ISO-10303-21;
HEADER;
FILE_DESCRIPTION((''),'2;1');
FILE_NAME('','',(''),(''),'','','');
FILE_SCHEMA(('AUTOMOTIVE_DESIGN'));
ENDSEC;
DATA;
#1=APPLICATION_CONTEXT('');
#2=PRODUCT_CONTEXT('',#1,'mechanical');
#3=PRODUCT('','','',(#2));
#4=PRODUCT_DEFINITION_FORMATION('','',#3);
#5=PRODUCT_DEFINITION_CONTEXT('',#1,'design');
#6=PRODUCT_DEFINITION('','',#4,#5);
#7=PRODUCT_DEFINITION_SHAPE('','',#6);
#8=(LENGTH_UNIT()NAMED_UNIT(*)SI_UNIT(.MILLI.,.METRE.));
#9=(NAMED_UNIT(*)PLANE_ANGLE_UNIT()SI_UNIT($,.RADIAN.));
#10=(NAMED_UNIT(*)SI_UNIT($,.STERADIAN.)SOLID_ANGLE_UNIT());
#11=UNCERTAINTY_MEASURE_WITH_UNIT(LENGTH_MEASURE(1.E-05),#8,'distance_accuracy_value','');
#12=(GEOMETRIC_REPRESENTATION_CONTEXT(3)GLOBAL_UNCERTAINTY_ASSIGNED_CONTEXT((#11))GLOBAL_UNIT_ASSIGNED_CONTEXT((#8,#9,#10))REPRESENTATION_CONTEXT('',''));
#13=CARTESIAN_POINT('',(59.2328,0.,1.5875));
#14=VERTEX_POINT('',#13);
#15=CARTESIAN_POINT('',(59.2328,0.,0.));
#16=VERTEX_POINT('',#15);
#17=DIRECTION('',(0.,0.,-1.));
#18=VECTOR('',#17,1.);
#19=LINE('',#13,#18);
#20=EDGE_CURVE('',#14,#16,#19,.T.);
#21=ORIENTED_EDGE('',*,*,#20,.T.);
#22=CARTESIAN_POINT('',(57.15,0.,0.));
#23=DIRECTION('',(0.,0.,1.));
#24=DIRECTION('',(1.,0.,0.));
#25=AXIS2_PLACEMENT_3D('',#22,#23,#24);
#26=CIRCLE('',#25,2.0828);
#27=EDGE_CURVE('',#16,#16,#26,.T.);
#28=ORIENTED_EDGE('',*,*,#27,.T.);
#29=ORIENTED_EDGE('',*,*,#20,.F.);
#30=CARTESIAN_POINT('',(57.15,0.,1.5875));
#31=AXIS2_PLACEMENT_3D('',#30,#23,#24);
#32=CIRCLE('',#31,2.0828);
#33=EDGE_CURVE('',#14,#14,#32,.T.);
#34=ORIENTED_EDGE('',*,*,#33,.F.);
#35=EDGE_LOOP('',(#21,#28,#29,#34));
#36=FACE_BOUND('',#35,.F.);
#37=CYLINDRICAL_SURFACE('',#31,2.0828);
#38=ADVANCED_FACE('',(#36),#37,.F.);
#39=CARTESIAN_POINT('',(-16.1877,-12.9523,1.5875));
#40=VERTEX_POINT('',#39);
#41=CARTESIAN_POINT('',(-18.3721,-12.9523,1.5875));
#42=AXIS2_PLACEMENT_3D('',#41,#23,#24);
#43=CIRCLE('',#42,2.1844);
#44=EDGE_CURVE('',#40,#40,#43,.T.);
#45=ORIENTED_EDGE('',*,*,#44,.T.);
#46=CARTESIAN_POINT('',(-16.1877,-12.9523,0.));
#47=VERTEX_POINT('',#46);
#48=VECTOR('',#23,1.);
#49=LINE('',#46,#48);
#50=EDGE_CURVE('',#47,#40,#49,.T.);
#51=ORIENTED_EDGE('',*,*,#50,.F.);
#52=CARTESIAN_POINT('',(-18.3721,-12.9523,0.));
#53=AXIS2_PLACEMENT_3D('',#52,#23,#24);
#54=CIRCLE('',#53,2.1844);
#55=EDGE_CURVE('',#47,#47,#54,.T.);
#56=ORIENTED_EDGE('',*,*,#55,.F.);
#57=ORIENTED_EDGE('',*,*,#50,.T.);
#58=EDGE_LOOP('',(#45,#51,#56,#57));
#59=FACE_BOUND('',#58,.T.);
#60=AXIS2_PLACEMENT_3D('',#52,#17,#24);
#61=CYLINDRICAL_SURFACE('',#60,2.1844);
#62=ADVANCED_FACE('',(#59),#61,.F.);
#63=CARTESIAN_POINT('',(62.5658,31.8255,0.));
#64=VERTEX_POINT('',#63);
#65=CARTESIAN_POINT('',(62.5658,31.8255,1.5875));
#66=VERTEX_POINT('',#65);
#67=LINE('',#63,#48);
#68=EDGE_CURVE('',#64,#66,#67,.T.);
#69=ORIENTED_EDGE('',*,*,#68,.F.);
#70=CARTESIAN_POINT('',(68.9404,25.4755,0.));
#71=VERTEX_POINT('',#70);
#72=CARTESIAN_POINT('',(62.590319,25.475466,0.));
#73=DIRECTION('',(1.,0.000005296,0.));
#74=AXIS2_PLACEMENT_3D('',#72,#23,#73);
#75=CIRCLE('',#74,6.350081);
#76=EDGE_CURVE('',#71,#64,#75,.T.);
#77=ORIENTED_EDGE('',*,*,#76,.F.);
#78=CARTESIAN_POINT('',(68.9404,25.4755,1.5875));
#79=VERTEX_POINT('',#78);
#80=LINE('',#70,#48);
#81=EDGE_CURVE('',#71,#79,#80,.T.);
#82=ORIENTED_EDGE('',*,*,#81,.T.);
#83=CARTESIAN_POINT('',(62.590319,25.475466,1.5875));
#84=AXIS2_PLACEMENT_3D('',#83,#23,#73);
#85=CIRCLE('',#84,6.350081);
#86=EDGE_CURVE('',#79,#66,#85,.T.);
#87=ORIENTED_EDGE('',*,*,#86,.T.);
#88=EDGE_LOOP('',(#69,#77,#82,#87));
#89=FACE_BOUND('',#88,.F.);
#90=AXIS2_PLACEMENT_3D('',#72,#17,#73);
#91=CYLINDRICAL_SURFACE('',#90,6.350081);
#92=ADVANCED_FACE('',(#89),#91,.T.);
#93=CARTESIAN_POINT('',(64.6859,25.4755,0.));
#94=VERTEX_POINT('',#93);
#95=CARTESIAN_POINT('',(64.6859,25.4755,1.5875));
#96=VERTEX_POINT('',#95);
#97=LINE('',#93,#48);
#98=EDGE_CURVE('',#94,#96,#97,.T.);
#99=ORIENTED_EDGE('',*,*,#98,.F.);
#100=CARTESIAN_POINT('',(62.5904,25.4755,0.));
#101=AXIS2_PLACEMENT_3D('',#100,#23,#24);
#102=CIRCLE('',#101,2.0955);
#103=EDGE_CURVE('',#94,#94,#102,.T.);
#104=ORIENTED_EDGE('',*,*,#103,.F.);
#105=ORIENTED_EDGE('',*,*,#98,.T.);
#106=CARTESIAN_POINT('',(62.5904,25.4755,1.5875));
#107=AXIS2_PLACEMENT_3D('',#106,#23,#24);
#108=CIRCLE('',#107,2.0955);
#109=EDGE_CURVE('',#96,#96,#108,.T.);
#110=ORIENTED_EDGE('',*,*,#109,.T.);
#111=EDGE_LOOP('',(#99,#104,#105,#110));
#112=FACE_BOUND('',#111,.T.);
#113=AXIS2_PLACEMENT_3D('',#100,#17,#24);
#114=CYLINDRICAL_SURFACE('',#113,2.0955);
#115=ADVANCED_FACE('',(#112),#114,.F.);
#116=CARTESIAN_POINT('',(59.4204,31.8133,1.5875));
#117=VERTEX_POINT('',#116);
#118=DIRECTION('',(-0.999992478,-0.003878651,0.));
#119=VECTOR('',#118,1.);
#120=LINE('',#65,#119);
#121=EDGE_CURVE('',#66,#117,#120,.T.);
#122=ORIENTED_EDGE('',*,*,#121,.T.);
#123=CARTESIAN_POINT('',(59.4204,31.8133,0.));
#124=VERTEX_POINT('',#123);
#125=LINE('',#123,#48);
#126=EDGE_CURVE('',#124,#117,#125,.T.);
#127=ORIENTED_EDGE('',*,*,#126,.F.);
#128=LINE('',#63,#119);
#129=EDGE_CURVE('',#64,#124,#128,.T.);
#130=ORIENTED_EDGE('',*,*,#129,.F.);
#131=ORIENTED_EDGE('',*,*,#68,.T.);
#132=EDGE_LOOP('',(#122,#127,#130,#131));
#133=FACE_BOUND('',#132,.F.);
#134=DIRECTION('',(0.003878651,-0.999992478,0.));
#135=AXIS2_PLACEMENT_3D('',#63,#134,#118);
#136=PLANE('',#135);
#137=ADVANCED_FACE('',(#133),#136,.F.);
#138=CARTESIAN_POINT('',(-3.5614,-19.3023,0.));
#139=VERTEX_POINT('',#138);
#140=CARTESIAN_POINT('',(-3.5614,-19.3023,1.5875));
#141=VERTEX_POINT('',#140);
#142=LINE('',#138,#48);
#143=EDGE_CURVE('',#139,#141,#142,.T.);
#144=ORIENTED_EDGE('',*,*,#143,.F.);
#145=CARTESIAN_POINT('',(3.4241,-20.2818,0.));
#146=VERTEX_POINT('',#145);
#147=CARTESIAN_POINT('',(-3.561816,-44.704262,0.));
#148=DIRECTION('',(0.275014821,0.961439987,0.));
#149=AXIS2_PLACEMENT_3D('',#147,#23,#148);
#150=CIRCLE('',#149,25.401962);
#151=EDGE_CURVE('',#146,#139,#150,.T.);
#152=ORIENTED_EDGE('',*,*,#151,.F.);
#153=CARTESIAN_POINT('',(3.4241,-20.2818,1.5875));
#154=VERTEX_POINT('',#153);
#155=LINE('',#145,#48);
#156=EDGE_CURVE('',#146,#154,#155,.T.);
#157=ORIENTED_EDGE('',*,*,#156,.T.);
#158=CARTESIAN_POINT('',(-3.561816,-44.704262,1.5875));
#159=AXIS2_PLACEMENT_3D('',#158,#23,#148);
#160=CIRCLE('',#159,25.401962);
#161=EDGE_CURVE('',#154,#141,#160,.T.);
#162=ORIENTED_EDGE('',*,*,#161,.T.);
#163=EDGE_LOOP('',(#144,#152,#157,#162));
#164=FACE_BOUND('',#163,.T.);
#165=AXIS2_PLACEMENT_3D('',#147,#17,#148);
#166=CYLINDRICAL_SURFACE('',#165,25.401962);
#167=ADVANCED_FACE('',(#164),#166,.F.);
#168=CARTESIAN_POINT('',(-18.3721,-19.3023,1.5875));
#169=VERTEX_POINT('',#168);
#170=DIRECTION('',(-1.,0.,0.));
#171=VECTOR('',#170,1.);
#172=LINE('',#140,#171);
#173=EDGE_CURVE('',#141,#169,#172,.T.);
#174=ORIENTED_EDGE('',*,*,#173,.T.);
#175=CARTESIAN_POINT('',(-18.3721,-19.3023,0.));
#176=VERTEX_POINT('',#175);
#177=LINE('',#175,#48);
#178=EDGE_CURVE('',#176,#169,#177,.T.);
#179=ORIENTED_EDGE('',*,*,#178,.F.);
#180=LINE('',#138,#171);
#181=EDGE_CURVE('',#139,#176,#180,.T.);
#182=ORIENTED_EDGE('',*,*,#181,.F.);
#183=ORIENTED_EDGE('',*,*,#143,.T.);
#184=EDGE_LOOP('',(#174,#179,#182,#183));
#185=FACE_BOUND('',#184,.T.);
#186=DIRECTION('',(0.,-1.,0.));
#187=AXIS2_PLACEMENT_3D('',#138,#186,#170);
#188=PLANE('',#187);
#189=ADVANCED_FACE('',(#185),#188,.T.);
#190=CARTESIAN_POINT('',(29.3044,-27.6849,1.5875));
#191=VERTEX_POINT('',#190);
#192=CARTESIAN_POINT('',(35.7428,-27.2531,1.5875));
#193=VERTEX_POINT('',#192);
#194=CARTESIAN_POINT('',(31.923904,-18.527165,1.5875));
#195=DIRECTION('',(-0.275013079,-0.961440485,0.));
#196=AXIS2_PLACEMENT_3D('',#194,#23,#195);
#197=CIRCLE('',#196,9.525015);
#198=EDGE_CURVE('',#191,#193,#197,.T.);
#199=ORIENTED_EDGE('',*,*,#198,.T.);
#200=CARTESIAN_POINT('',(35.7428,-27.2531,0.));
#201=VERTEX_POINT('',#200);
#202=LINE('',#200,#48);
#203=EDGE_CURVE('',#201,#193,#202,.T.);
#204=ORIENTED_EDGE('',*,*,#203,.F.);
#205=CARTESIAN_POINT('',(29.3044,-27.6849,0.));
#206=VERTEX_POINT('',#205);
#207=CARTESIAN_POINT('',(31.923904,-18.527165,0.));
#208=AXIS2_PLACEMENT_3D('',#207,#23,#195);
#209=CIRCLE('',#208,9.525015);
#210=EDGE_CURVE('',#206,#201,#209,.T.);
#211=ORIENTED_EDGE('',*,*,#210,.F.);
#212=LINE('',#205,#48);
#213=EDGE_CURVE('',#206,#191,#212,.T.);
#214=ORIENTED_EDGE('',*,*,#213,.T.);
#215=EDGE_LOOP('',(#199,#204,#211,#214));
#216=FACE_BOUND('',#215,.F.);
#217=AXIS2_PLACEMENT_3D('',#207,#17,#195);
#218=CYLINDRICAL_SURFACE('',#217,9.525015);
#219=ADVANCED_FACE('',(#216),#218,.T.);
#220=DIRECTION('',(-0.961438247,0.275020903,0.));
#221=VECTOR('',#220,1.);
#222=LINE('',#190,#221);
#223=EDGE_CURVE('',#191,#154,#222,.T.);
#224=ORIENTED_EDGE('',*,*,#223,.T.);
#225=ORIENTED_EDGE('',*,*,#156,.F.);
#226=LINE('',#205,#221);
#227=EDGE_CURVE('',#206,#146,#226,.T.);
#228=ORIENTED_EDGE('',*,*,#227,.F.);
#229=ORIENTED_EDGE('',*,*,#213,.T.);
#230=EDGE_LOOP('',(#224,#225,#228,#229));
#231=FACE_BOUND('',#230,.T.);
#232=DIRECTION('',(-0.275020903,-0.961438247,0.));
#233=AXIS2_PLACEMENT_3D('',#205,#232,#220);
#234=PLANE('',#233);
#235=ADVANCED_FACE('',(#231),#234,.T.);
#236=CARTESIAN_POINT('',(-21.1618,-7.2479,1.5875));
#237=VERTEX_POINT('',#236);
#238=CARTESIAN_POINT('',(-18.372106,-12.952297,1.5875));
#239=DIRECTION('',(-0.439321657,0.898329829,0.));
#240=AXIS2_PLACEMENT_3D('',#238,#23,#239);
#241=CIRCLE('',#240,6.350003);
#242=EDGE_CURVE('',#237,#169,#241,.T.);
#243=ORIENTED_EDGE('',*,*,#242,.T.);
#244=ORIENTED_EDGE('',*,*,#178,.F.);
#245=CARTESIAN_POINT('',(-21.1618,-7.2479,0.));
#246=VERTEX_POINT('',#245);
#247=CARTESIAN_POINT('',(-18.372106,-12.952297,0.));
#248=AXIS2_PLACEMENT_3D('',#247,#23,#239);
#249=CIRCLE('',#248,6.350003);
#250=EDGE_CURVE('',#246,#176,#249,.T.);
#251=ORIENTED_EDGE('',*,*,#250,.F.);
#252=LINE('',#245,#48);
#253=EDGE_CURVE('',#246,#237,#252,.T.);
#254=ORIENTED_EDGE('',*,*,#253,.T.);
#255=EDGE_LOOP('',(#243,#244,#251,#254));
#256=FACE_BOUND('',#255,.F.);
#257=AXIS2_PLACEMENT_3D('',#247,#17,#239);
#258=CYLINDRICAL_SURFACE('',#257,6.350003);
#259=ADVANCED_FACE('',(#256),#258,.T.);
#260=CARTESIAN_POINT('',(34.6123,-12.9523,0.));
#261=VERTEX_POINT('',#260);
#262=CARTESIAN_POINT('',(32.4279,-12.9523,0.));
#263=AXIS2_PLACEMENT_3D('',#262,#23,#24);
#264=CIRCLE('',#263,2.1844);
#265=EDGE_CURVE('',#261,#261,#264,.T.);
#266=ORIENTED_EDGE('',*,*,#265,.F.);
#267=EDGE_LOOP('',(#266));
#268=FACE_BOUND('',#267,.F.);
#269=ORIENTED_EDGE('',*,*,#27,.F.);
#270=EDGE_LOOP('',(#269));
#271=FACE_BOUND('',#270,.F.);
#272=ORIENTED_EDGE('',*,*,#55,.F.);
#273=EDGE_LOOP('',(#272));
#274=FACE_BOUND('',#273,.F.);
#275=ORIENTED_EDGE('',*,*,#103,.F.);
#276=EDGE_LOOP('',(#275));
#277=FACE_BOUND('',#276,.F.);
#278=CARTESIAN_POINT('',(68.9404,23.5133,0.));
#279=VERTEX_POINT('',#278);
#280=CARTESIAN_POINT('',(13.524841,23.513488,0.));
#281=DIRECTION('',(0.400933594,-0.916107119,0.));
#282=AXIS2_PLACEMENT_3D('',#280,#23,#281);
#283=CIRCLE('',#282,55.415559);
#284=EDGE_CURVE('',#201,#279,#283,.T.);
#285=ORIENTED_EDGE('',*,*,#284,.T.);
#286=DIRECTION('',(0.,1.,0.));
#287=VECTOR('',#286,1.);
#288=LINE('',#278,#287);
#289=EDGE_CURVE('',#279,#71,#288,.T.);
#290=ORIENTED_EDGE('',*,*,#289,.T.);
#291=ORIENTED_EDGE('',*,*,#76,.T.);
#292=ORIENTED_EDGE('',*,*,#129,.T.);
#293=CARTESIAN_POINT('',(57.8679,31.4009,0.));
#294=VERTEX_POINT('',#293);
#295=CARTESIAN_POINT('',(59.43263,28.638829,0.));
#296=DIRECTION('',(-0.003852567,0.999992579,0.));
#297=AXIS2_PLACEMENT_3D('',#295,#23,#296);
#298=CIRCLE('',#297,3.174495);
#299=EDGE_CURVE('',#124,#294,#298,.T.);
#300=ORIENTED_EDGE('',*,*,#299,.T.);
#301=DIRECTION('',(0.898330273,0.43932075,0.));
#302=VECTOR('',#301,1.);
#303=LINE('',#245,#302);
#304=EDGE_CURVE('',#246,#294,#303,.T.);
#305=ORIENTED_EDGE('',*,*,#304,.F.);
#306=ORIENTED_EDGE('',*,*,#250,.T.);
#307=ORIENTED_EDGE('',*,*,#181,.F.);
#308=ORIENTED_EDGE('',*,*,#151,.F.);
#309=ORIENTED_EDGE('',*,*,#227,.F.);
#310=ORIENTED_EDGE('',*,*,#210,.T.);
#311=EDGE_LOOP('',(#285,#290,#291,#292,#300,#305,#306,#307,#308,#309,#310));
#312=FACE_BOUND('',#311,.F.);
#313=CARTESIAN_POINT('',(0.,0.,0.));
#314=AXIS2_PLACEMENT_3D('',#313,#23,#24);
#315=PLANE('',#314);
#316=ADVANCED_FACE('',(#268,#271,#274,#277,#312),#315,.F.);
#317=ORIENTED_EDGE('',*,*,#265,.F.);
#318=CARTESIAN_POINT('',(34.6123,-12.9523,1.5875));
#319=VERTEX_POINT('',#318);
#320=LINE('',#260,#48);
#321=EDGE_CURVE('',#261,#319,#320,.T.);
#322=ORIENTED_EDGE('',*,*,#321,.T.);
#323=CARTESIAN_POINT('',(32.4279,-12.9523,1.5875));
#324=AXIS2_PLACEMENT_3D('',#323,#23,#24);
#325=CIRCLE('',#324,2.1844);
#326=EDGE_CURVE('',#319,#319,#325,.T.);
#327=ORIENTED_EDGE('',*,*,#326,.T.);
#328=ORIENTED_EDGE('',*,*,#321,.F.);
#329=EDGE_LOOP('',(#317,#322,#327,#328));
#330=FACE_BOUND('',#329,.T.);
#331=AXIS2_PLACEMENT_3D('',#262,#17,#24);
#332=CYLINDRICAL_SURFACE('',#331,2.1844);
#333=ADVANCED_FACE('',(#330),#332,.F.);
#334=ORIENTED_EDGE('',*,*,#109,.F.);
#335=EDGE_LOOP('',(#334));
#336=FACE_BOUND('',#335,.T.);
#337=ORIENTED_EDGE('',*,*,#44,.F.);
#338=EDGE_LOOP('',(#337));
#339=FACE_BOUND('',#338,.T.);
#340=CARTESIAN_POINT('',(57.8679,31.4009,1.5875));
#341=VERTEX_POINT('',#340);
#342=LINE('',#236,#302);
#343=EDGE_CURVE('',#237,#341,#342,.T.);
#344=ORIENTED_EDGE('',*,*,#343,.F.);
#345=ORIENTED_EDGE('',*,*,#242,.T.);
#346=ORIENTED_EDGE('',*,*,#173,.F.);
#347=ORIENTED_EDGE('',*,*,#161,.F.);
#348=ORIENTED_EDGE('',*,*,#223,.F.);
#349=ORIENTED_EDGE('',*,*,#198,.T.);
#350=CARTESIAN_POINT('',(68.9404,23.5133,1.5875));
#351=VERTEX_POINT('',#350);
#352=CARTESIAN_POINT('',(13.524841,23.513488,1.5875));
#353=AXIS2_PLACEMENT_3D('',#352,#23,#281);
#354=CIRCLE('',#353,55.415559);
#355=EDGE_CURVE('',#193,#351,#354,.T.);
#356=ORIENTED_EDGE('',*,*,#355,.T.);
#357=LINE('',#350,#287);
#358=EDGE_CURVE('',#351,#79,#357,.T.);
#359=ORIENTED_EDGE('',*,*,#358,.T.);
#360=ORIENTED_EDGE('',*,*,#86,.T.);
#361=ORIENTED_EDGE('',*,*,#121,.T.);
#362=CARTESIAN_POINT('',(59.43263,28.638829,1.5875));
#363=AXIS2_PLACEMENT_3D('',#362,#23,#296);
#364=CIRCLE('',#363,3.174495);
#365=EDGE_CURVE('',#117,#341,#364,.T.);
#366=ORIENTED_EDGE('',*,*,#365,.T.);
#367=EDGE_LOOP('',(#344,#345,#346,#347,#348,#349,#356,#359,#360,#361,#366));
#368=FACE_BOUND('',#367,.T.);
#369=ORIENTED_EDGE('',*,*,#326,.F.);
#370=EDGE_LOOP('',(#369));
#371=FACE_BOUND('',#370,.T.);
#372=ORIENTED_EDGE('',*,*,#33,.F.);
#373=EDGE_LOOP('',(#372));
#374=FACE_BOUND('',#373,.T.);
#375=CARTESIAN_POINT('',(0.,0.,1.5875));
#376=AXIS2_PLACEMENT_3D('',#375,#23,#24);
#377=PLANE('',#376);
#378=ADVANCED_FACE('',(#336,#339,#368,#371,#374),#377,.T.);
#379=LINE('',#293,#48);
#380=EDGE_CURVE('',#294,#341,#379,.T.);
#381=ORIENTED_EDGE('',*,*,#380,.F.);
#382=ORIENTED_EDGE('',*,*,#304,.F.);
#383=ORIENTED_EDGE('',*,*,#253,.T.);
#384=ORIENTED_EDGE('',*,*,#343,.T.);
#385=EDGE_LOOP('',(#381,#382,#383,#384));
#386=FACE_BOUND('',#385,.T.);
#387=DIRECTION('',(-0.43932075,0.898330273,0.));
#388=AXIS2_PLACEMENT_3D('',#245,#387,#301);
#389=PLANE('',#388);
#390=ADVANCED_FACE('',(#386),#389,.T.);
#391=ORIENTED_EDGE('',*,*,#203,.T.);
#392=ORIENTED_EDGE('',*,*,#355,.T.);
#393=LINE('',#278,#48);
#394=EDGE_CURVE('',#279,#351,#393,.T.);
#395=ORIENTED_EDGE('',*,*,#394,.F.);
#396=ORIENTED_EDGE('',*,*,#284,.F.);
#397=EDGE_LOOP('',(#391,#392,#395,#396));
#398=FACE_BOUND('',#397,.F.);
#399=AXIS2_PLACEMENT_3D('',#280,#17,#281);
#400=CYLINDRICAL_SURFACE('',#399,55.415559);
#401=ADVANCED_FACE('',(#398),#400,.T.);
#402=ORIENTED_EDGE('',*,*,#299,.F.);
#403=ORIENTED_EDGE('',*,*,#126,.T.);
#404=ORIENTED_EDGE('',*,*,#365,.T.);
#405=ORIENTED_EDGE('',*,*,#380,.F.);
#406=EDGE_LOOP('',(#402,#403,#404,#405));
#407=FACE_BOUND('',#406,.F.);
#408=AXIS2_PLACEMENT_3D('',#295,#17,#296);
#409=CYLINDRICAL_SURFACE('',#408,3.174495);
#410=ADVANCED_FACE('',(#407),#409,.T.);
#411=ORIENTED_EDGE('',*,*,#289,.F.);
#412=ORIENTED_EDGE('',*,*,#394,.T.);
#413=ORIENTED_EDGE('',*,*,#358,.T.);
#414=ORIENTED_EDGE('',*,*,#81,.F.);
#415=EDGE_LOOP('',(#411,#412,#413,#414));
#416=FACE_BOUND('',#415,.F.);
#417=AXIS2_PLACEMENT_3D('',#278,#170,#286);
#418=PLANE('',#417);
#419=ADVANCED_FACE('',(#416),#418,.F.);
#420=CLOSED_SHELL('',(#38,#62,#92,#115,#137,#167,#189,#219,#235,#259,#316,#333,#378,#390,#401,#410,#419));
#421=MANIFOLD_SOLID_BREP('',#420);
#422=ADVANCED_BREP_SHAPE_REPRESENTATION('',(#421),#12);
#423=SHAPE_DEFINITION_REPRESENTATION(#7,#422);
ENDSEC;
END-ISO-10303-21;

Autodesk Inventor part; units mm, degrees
ref_plane "YZ Plane" through (0, 0, 0) normal (1, 0, 0) x (0, 1, 0)
ref_plane "XZ Plane" through (0, 0, 0) normal (0, 1, 0) x (-1, 0, 0)
ref_plane "XY Plane" through (0, 0, 0) normal (0, 0, 1) x (1, 0, 0)
sketch "Sketch1" plane through (0, 0, 0) normal (0, 0, 1) x (1, 0, 0)
  circle A0 centre (32.4279, -12.9523) radius 2.1844
  line L0 (68.9404, 23.5133) -> (68.9404, 25.4755)
  line L1 (62.5658, 31.8255) -> (59.4204, 31.8133)
  arc A1 (68.9404, 25.4755) -> (62.5658, 31.8255) centre (62.5904, 25.4755) ccw
  line L2 (-3.5614, -19.3023) -> (-18.3721, -19.3023)
  arc A2 (35.7428, -27.2531) -> (68.9404, 23.5133) centre (13.525, 23.5133) ccw
  line L3 (29.3044, -27.6849) -> (3.4241, -20.2818)
  arc A3 (29.3044, -27.6849) -> (35.7428, -27.2531) centre (31.9239, -18.5272) ccw
  arc A4 (3.4241, -20.2818) -> (-3.5614, -19.3023) centre (-3.5614, -44.7023) ccw
  circle A5 centre (62.5904, 25.4755) radius 2.0955
  arc A6 (59.4204, 31.8133) -> (57.8679, 31.4009) centre (59.4327, 28.6383) ccw
  circle A7 centre (-18.3721, -12.9523) radius 2.1844
  arc A8 (-21.1618, -7.2479) -> (-18.3721, -19.3023) centre (-18.3721, -12.9523) ccw
  line L4 (-21.1618, -7.2479) -> (57.8679, 31.4009)
  point P0 (0, 0)
  point P1 (-20.4601, 31.5039)
  point P2 (32.4279, -28.5784)
  point P3 (58.5866, 31.8101)
  dimension "d4" = 6.35
  dimension "d21" = 9.525
  dimension "d22" = 25.4
  dimension "d24" = 4.191
  dimension "d28" = 3.175
  dimension "d30" = 4.3688
extrude "Extrusion1" add sketch "Sketch1" along normal blind 1.5875
sketch "Sketch2" plane through (0, 0, 1.5875) normal (0, 0, 1) x (1, 0, 0)
  circle A0 centre (57.15, 0) radius 2.0828
  point P0 (0, 0)
  dimension "d7" = 4.1656
extrude "Extrusion2" cut sketch "Sketch2" against normal blind 1.5875
equation "\"BendRadius\" = Thickness"
equation "\"BendReliefWidth\" = Thickness"
equation "\"BendReliefDepth\" = 0.5 * Thickness"
equation "\"CornerReliefSize\" = 4 * Thickness"
equation "\"MinimumRemnant\" = 2 * Thickness"
equation "\"TransitionRadius\" = BendRadius"
equation "\"JacobiRadiusSize\" = BendRadius"
equation "\"GapSize\" = Thickness"
equation "\"Thickness\" = 1.5875"
properties part number "sled_front" material "Acetal Resin, White"
